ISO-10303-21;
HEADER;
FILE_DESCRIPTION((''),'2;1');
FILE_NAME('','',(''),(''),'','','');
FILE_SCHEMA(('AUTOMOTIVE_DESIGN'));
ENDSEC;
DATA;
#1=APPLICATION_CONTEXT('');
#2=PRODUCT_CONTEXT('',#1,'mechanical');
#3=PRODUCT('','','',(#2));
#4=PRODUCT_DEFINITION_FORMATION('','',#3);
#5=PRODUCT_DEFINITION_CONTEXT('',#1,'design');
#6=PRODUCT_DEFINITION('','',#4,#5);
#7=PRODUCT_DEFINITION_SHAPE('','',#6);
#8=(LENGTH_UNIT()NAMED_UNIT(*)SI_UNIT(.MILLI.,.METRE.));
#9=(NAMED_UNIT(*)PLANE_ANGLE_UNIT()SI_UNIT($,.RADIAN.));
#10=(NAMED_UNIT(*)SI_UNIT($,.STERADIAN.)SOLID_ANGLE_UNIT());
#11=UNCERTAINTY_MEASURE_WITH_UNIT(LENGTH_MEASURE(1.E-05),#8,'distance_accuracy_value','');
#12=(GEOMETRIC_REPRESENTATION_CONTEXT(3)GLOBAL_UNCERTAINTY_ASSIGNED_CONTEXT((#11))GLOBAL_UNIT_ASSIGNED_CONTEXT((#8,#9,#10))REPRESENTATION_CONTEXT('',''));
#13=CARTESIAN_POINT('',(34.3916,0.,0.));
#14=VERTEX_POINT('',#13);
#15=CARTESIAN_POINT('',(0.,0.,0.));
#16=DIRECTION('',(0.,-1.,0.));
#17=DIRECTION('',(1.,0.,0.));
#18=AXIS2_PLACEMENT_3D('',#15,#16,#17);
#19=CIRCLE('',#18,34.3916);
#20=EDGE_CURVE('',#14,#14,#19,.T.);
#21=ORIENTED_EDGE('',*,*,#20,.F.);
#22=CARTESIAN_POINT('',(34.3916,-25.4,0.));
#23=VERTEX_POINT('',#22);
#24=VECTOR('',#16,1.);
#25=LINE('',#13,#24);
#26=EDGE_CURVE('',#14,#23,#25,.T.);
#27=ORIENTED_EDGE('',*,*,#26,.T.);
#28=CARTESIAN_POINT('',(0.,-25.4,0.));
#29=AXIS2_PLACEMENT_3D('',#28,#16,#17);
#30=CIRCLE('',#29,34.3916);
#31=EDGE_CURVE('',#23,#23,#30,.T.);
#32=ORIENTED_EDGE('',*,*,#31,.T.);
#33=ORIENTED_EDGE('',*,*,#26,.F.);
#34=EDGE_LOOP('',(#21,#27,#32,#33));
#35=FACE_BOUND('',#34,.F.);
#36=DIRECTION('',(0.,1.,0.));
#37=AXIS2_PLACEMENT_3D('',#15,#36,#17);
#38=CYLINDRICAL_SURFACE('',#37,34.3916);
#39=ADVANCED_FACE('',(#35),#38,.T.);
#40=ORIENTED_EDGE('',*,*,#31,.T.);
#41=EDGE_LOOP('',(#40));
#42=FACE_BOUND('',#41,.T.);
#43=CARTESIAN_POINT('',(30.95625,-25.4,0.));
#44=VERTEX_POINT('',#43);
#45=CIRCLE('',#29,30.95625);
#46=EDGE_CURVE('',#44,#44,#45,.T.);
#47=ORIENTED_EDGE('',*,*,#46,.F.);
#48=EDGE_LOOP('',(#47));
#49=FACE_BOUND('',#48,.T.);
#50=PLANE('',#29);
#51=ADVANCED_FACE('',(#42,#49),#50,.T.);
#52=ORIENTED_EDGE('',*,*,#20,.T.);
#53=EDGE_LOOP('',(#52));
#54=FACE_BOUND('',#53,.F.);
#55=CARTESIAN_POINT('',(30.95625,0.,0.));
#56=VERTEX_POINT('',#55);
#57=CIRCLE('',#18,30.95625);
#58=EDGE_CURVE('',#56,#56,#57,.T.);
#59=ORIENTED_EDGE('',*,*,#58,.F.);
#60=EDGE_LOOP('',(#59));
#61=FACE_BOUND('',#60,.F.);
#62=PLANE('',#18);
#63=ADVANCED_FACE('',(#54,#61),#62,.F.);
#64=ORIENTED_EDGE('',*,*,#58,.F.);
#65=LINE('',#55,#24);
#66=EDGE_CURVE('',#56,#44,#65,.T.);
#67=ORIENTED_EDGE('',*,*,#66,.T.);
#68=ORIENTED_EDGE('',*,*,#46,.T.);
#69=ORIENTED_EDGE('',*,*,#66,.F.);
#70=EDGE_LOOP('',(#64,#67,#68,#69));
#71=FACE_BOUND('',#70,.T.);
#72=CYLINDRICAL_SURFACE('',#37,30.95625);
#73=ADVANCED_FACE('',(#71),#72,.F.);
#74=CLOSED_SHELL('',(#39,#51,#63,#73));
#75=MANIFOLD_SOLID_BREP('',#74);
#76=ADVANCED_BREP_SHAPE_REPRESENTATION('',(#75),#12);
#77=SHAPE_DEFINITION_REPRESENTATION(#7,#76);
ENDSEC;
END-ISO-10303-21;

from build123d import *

# Parameters (mm, degrees)
F1_R     = 34.3916
F1_R_2   = 30.95625
F2_DEPTH = 25.4


with BuildPart() as f2:
    # F1 (on face) → F2 (new body)
    with BuildSketch(Plane.XZ):
        Circle(F1_R)
        Circle(F1_R_2, mode=Mode.SUBTRACT)
    extrude(amount=F2_DEPTH)


solid = f2.part
